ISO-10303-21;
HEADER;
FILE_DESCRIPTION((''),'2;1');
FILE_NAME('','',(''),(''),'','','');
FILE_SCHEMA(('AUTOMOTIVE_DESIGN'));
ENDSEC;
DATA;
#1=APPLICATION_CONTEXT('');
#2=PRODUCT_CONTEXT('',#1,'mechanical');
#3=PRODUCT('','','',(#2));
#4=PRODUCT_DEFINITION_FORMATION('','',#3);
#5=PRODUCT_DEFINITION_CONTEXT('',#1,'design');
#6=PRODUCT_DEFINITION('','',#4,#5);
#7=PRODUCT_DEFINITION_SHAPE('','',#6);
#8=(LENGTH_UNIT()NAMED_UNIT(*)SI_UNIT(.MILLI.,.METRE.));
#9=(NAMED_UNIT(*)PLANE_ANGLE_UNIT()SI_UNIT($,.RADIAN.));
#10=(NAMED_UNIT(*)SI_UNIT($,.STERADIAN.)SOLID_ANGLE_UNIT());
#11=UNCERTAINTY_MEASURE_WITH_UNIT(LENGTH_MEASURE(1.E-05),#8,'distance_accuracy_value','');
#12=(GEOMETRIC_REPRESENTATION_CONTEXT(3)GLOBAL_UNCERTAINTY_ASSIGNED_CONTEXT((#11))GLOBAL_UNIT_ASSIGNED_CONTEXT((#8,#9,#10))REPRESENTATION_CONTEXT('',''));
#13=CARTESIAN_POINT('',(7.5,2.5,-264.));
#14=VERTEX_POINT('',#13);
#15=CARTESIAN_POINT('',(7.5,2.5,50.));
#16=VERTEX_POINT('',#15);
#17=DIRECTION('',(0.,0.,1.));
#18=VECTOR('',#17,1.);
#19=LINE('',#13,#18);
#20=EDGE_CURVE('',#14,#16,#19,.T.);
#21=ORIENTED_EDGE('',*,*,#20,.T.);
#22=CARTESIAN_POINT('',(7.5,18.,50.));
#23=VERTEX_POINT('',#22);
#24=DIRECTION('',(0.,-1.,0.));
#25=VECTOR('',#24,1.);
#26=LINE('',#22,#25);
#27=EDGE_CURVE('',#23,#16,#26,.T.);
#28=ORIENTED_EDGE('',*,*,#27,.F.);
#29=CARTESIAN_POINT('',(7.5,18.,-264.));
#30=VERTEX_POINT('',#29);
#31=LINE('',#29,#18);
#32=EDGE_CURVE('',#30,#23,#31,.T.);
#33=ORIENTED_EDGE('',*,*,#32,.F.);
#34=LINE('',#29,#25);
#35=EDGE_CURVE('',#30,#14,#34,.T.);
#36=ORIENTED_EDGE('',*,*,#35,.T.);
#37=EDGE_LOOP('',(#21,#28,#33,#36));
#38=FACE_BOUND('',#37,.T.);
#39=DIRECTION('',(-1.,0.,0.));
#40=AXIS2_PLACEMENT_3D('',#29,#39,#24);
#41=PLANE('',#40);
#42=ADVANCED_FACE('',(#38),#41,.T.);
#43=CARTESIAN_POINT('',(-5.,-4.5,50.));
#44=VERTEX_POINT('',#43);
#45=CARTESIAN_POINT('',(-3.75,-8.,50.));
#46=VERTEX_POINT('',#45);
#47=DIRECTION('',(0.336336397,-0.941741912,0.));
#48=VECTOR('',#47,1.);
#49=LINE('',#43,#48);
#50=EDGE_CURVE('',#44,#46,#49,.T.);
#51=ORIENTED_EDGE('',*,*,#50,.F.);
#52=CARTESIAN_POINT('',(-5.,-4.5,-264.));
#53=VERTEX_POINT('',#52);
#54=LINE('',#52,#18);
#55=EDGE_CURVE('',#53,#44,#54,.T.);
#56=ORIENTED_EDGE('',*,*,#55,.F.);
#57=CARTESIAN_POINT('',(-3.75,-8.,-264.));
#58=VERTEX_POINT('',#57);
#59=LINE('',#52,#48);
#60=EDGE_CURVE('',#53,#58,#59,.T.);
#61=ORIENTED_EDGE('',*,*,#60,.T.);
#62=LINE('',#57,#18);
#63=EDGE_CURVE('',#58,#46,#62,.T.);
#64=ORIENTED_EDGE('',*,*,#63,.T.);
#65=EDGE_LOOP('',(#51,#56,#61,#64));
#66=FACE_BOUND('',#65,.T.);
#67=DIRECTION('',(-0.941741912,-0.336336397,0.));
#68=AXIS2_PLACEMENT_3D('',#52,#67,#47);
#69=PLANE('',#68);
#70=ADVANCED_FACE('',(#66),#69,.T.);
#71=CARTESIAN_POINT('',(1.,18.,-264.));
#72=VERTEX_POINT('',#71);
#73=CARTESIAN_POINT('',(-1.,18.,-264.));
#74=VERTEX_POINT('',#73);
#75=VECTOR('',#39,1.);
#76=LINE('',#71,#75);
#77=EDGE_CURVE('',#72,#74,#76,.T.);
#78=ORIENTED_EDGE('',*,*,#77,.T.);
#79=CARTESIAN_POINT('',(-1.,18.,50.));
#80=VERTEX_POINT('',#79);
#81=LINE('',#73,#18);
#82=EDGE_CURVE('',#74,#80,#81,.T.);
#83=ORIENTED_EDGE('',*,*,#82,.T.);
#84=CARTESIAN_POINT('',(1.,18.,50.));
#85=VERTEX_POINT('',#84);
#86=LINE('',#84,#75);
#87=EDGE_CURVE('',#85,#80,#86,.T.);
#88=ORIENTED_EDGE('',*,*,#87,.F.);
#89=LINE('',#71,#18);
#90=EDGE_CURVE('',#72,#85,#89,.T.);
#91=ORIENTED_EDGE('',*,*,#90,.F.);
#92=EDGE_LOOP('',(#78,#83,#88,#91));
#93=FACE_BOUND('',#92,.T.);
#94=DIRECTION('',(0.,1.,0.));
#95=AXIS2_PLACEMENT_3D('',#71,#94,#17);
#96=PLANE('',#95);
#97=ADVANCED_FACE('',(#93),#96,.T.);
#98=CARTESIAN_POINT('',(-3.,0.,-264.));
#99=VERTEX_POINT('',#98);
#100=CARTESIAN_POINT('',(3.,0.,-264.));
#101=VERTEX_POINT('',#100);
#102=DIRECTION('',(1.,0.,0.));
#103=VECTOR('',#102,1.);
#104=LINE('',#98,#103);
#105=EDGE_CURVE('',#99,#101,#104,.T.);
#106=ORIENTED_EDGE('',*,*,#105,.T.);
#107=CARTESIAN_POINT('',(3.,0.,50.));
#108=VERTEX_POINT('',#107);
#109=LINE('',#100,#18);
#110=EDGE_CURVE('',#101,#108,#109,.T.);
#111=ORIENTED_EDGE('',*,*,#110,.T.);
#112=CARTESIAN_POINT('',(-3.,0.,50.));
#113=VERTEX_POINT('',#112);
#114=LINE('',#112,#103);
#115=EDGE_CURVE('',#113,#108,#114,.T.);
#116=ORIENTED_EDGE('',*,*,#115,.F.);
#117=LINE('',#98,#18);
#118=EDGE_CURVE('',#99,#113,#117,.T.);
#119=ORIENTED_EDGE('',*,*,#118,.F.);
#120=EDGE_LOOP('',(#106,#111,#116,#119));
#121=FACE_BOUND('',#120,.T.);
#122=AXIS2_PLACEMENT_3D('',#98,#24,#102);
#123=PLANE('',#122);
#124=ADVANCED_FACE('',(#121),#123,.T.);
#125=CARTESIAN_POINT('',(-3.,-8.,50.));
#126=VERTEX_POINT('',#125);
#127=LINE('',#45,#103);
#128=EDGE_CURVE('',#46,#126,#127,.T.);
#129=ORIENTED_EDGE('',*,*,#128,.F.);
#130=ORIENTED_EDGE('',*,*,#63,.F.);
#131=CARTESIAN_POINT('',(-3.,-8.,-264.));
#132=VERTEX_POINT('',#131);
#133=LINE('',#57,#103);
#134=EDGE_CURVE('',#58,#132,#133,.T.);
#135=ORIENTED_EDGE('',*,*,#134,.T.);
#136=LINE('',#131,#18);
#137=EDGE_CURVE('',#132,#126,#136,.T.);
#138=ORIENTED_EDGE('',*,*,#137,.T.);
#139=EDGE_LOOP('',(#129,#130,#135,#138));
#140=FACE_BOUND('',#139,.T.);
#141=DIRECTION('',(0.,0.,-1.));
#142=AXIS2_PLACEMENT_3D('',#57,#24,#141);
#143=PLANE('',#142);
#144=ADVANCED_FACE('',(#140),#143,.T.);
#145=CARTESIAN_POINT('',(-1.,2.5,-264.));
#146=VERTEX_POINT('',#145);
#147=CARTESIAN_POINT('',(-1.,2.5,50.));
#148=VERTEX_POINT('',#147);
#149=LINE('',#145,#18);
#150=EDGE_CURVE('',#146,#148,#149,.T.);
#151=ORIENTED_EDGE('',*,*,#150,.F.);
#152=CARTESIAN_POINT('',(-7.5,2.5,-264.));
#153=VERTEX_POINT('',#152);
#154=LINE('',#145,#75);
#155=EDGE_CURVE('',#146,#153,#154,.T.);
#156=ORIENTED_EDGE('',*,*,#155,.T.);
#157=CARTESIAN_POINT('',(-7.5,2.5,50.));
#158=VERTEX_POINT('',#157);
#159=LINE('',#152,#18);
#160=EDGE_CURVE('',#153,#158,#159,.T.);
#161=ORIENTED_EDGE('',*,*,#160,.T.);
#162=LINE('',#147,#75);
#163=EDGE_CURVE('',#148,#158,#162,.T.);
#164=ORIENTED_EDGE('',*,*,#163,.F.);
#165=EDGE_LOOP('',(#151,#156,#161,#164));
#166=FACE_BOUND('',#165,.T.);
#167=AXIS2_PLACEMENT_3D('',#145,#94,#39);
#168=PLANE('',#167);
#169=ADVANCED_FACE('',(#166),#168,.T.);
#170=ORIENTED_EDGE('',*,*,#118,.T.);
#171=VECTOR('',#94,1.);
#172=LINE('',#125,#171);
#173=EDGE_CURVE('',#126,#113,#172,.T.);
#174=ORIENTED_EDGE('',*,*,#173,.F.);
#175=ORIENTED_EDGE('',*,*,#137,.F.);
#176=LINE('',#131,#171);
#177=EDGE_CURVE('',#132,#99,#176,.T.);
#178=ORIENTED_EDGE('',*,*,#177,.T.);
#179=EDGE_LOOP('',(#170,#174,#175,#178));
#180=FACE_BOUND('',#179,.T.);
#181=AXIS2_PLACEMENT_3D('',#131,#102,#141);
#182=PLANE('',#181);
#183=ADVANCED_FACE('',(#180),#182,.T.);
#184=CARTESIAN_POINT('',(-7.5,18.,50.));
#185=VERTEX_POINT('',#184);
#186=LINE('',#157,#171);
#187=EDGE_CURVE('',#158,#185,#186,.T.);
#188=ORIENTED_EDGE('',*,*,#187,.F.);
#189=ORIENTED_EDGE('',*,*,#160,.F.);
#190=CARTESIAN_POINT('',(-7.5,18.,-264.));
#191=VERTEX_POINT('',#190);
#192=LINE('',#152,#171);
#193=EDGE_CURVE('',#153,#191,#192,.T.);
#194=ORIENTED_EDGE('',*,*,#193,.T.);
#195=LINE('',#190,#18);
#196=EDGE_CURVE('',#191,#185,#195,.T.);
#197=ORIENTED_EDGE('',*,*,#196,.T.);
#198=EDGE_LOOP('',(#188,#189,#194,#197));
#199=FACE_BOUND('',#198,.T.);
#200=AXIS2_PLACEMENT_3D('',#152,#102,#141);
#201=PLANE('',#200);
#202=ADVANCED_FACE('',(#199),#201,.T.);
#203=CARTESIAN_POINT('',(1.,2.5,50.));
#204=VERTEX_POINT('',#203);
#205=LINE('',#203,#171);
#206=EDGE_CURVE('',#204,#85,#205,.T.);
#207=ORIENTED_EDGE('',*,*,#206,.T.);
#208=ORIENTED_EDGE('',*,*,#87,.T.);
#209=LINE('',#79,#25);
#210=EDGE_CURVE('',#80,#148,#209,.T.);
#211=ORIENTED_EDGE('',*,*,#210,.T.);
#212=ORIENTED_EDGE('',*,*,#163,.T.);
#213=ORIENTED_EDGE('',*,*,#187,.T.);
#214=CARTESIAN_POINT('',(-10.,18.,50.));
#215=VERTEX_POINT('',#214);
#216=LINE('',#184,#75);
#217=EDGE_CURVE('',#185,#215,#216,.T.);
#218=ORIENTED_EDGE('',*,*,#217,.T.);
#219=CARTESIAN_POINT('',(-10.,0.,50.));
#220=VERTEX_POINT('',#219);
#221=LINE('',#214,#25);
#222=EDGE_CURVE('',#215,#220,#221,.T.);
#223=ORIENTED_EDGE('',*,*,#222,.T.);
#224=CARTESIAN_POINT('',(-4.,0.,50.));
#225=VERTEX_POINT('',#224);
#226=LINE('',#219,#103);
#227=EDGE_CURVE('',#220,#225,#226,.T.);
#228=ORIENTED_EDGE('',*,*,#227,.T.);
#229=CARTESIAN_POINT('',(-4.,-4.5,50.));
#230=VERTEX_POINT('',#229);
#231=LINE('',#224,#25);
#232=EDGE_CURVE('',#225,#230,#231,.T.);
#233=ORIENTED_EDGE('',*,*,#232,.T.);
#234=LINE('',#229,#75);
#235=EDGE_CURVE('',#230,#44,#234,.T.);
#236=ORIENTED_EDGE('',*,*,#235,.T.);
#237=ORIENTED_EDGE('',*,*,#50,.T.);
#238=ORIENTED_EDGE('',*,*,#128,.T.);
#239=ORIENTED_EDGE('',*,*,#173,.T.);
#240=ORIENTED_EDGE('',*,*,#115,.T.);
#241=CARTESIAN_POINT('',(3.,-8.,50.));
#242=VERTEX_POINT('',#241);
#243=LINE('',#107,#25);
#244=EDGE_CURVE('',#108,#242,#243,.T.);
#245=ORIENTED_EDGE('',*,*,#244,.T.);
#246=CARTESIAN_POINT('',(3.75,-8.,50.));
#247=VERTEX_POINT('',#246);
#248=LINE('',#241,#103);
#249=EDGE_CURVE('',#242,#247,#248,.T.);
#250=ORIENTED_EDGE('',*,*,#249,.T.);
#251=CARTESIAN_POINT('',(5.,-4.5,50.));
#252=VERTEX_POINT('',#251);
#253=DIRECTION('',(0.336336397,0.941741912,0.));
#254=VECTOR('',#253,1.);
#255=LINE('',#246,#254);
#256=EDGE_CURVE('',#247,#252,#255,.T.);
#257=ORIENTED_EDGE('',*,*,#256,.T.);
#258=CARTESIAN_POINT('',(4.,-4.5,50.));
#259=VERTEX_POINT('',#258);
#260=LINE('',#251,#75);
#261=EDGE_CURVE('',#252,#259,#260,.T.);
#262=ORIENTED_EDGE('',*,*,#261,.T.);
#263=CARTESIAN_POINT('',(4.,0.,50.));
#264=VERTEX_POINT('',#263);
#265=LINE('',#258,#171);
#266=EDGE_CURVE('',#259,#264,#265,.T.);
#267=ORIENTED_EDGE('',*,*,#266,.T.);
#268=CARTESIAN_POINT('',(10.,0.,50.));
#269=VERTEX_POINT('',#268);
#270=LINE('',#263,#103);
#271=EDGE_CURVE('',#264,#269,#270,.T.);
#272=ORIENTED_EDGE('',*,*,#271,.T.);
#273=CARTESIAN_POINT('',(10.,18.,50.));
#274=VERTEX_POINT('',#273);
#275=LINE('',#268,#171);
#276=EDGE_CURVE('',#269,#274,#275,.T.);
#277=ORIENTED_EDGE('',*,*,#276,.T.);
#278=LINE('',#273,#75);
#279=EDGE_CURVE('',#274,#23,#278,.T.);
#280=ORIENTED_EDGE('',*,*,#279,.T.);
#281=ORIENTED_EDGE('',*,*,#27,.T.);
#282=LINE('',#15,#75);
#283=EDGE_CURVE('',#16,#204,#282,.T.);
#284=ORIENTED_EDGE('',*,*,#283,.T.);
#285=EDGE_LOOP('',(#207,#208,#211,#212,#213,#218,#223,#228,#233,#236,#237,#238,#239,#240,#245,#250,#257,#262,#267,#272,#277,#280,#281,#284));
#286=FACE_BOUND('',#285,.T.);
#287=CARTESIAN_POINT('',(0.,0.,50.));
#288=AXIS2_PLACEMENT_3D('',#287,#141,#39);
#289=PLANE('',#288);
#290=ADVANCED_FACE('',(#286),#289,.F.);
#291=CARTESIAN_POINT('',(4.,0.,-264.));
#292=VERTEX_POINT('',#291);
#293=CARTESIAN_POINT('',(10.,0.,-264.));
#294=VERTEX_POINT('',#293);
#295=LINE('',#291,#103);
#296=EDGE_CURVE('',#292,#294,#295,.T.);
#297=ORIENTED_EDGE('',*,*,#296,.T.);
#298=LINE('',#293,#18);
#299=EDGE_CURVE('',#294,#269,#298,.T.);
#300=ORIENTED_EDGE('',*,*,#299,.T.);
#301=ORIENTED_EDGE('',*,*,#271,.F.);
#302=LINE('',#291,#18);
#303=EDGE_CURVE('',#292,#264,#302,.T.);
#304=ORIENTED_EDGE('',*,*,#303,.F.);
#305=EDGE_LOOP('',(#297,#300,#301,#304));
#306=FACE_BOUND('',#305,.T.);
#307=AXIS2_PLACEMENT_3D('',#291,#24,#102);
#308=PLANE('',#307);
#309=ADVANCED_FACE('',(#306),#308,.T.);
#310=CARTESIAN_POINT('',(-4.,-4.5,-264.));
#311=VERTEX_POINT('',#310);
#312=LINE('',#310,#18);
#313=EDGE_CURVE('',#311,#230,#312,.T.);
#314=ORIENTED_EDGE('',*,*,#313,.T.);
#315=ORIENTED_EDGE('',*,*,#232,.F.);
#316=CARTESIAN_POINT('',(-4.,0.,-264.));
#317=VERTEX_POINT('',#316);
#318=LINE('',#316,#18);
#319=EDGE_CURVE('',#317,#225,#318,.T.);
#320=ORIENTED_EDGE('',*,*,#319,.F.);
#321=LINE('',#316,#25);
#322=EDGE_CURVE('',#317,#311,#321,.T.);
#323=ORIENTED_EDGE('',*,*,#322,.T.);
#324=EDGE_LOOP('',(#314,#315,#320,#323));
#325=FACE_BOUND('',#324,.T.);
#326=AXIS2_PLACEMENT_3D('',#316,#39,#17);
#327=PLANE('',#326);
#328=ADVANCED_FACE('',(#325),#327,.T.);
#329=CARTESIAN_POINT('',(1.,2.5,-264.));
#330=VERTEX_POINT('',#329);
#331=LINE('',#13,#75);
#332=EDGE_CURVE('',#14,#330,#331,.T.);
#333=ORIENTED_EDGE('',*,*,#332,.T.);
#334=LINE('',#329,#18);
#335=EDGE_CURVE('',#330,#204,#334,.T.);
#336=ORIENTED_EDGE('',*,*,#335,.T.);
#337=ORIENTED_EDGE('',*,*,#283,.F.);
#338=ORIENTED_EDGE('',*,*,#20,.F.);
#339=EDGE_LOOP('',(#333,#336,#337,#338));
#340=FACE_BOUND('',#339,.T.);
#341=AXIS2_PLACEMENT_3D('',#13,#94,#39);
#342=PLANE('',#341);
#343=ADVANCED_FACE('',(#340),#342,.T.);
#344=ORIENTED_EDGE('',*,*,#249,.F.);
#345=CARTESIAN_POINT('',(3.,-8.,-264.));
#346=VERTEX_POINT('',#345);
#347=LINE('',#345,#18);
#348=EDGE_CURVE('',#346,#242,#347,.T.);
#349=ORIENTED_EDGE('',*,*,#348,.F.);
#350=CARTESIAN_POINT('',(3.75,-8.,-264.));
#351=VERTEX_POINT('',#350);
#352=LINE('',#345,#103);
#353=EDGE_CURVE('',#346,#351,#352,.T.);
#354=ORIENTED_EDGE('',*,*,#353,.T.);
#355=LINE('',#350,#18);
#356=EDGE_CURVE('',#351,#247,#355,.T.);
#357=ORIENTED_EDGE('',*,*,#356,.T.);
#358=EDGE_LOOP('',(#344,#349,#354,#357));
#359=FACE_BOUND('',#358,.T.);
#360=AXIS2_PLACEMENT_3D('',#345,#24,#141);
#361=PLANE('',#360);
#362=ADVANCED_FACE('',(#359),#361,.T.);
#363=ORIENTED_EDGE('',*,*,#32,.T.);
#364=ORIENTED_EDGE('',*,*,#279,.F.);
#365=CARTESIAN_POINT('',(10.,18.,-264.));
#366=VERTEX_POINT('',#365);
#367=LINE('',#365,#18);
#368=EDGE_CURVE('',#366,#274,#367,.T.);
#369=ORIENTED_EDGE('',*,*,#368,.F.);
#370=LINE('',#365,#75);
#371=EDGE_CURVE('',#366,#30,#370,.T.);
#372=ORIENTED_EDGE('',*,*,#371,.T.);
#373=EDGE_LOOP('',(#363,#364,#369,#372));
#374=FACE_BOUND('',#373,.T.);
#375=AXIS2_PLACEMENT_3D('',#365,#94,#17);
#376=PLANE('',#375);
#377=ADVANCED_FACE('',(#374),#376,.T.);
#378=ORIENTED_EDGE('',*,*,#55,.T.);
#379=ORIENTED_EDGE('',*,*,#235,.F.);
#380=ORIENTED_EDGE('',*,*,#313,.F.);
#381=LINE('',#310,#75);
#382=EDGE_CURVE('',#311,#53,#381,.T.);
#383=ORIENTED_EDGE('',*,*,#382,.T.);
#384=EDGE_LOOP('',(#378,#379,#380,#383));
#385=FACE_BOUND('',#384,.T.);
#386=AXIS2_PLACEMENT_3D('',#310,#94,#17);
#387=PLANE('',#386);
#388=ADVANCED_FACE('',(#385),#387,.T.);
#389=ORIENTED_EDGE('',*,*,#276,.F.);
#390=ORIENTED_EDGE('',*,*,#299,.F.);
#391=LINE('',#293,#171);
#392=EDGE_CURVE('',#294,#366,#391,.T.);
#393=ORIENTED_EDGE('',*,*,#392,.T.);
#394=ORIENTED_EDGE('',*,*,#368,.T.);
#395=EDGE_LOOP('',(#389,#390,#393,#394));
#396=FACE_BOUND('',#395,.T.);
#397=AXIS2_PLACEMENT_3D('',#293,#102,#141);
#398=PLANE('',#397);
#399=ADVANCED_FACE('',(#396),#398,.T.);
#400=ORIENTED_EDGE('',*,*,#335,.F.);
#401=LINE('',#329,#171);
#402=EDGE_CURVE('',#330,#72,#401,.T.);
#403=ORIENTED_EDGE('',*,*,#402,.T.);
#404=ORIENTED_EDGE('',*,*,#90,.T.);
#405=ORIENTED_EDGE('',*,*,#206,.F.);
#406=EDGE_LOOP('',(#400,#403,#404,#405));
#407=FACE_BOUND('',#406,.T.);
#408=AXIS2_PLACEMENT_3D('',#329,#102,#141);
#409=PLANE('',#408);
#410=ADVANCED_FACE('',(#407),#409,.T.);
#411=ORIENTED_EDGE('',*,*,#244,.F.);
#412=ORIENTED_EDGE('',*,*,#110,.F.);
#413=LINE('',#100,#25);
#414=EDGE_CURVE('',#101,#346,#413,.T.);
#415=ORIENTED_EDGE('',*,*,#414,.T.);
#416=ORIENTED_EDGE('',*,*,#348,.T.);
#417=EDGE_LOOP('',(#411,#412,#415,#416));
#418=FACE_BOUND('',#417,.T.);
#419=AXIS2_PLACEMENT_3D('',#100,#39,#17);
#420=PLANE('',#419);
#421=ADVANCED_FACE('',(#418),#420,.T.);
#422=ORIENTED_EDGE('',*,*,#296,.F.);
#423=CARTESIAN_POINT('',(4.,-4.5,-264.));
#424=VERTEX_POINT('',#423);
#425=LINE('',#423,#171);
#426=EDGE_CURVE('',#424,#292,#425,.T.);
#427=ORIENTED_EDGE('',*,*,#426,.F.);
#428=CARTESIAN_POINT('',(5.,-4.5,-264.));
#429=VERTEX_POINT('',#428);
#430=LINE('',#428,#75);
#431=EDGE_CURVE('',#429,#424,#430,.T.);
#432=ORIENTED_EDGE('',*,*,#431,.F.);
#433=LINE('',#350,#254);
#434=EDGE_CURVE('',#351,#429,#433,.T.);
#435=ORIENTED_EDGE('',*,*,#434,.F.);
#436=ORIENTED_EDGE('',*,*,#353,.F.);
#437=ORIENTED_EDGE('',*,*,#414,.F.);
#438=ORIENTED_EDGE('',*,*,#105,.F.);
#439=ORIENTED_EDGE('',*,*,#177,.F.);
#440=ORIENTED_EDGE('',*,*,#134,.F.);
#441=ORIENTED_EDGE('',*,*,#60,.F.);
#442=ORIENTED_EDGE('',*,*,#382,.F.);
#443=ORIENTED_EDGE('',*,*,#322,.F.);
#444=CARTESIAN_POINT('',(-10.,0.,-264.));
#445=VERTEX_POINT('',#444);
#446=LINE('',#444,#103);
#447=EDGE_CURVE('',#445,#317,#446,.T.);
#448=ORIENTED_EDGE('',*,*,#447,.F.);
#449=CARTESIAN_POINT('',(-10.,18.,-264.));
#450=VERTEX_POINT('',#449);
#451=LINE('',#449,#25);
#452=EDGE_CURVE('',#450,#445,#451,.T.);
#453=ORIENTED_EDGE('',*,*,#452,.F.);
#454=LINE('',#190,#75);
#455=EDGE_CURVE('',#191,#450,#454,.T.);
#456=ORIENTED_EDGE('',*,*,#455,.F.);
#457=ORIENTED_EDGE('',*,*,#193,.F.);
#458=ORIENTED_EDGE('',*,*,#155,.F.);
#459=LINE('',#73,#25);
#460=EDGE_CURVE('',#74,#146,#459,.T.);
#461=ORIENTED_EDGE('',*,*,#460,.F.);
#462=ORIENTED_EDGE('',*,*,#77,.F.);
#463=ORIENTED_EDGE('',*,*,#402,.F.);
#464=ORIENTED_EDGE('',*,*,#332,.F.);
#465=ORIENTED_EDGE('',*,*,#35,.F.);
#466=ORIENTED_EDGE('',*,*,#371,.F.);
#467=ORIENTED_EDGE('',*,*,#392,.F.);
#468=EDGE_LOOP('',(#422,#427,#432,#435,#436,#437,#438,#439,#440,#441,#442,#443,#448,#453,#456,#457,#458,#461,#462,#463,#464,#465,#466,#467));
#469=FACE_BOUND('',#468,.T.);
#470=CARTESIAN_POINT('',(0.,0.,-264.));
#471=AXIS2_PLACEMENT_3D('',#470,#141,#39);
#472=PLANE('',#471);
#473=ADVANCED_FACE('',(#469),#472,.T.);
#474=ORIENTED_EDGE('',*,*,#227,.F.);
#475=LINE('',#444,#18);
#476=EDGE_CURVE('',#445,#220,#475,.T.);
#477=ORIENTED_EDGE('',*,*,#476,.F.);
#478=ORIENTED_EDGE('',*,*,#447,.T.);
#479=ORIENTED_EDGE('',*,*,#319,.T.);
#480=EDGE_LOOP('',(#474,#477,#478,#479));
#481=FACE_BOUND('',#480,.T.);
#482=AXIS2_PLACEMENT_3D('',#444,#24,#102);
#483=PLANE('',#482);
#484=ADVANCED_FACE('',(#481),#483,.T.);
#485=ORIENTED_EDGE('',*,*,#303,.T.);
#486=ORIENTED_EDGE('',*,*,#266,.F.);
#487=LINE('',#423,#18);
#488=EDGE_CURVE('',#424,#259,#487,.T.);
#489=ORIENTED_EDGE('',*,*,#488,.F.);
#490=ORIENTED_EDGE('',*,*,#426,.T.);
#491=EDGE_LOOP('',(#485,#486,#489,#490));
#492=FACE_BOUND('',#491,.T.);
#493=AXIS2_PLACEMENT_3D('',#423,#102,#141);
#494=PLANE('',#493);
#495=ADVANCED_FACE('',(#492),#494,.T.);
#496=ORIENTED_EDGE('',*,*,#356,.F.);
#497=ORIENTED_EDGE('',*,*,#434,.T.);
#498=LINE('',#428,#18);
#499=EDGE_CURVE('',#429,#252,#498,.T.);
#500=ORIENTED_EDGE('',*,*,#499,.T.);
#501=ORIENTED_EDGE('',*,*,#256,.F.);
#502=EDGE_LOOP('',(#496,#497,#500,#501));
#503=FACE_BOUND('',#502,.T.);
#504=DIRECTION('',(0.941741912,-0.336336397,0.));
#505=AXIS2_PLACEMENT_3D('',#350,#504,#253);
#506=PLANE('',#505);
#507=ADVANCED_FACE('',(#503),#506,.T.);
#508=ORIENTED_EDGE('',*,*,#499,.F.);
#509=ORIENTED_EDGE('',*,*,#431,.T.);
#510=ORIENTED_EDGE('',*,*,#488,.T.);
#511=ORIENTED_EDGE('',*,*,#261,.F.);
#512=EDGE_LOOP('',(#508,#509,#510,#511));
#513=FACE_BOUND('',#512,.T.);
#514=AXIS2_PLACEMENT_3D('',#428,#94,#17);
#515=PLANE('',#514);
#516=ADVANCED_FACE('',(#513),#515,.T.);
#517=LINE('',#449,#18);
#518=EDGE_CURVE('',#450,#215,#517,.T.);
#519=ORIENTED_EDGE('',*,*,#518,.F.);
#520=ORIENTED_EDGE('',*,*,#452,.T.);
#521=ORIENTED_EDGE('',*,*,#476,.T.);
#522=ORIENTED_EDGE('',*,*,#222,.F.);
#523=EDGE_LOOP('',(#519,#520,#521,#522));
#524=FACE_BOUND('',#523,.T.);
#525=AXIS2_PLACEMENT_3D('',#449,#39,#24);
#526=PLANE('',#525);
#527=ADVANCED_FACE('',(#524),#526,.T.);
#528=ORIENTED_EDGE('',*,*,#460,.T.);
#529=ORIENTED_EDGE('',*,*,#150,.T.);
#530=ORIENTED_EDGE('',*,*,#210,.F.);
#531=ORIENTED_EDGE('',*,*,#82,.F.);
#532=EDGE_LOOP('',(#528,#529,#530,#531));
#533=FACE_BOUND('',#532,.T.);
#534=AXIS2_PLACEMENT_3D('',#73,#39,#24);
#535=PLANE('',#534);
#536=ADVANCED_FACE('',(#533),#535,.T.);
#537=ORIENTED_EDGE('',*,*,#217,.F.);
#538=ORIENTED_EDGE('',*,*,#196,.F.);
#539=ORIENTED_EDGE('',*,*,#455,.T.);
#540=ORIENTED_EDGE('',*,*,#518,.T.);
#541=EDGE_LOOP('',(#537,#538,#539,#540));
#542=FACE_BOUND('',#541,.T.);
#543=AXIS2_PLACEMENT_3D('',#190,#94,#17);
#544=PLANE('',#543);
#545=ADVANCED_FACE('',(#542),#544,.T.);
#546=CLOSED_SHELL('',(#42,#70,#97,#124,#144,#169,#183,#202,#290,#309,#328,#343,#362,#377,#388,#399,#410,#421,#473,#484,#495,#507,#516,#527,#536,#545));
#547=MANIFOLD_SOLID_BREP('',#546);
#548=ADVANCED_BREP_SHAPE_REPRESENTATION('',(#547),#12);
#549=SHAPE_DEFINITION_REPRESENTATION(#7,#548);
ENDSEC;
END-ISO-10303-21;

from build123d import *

# Parameters (mm, degrees)
BOSS_EXTRU_1_DEPTH = 314


with BuildPart() as part:
    # Esquisse1 → Boss.-Extru.1 (new body)
    with BuildSketch(Plane.XY.offset(50)):
        Polygon((-1, 2.5), (-7.5, 2.5), (-7.5, 17.999999998), (-10, 17.999999998), (-10, 0), (-4, 0), (-4, -4.5), (-5, -4.5), (-3.75, -8), (-3, -8), (-3, 0), (3, 0), (3, -8), (3.75, -8), (5, -4.5), (4, -4.5), (4, 0), (10, 0), (10, 17.999999998), (7.5, 17.999999998), (7.5, 2.5), (1, 2.5), (1, 17.999999998), (-1, 17.999999998), align=None)
    extrude(amount=-BOSS_EXTRU_1_DEPTH)


solid = part.part
